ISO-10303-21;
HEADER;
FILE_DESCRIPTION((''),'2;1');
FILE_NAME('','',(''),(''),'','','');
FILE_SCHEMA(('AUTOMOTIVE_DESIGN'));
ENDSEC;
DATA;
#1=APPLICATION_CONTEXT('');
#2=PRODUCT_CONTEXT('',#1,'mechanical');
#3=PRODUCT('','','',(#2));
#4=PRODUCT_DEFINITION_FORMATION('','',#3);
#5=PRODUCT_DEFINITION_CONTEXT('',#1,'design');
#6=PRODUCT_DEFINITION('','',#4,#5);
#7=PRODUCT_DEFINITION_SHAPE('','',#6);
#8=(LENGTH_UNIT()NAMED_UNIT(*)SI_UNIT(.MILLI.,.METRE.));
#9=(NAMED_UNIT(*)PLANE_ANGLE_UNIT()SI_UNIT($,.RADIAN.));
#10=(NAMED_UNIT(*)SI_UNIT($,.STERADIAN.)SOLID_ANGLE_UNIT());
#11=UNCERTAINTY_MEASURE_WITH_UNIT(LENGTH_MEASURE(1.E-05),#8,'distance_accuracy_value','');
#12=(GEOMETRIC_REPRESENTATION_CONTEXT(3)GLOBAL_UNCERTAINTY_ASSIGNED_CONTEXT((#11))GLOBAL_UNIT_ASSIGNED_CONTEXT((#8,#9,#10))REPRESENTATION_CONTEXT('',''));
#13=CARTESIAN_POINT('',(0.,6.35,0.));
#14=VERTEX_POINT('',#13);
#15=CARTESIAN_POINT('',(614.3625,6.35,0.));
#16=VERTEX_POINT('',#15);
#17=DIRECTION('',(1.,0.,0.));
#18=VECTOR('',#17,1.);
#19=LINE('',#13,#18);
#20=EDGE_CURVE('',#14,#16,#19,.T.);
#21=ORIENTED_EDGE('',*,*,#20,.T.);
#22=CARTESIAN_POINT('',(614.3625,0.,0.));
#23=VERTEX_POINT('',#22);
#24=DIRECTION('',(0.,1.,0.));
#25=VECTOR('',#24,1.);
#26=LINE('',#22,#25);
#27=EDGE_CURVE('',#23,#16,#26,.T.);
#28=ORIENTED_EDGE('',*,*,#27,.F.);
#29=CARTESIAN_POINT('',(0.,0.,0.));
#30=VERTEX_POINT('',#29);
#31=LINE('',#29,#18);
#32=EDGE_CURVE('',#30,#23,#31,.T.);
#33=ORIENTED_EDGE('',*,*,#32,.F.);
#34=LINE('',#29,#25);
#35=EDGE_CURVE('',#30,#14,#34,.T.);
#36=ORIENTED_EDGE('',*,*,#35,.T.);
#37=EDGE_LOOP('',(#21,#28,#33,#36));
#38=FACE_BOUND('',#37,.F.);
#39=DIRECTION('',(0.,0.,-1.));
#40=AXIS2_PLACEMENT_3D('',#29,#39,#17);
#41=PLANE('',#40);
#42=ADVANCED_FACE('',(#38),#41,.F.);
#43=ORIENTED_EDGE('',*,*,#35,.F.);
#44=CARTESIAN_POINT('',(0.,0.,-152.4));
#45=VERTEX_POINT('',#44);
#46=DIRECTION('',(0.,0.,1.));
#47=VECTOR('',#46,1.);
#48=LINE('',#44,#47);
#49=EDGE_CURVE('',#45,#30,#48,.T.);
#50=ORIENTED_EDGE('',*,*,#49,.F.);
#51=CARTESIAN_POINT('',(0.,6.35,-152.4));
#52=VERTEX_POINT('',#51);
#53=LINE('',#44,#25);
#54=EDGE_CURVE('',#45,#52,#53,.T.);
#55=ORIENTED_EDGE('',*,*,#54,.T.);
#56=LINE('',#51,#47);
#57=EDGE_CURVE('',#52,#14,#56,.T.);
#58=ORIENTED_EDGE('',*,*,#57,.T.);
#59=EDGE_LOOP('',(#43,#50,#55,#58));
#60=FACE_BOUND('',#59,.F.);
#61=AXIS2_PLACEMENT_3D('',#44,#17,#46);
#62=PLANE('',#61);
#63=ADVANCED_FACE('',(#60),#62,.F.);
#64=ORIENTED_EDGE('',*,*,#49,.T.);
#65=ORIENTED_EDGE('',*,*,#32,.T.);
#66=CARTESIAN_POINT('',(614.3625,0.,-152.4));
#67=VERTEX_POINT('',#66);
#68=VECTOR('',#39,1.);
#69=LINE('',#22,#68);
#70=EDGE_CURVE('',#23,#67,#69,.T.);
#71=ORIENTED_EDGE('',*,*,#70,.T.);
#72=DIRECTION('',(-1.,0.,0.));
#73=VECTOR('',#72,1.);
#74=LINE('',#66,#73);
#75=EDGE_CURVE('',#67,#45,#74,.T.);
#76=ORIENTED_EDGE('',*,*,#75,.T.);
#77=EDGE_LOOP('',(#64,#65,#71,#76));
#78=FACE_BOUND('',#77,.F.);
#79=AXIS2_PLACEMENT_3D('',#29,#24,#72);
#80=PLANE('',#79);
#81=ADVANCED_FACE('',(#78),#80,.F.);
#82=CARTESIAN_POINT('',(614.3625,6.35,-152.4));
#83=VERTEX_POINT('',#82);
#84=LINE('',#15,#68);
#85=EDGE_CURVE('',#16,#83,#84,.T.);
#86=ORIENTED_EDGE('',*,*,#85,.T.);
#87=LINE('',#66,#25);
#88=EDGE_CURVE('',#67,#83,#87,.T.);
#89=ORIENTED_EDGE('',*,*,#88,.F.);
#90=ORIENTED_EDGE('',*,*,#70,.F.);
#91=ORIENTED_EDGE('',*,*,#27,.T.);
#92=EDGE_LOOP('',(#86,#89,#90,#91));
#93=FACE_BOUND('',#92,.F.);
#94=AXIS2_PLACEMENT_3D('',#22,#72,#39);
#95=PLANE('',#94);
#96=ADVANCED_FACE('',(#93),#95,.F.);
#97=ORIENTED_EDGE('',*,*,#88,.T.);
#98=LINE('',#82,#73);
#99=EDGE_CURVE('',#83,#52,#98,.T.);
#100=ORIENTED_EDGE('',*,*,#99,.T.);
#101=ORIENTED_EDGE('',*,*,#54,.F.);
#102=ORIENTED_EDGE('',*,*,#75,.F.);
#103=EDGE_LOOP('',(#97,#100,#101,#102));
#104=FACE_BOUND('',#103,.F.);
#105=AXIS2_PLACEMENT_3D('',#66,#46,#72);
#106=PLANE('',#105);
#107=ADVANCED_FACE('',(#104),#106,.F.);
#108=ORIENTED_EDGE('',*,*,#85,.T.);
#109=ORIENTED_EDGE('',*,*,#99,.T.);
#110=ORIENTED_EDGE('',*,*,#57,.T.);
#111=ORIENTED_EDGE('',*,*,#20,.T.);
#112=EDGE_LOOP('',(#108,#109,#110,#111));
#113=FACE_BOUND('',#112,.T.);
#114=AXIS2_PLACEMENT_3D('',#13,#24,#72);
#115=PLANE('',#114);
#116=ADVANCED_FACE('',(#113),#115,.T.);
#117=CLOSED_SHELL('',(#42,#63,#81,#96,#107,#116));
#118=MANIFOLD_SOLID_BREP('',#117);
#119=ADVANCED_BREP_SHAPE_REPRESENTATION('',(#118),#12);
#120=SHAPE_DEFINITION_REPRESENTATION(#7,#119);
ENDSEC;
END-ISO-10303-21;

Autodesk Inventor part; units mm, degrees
ref_plane "YZ Plane" through (0, 0, 0) normal (1, 0, 0) x (0, 1, 0)
ref_plane "XZ Plane" through (0, 0, 0) normal (0, 1, 0) x (-1, 0, 0)
ref_plane "XY Plane" through (0, 0, 0) normal (0, 0, 1) x (1, 0, 0)
sketch "Sketch1" plane through (0, 0, 0) normal (0, 1, 0) x (-1, 0, 0)
  line L0 (0, 0) -> (-614.3625, 0)
  line L1 (-614.3625, 0) -> (-614.3625, -152.4)
  line L2 (-614.3625, -152.4) -> (0, -152.4)
  line L3 (0, -152.4) -> (0, 0)
  dimension "d0" = 614.3625
  dimension "d1" = 152.4
extrude "Extrusion1" add sketch "Sketch1" along normal blind 6.35
properties part number "TopOfTheBottomOftheJukebox_Ocampo"
